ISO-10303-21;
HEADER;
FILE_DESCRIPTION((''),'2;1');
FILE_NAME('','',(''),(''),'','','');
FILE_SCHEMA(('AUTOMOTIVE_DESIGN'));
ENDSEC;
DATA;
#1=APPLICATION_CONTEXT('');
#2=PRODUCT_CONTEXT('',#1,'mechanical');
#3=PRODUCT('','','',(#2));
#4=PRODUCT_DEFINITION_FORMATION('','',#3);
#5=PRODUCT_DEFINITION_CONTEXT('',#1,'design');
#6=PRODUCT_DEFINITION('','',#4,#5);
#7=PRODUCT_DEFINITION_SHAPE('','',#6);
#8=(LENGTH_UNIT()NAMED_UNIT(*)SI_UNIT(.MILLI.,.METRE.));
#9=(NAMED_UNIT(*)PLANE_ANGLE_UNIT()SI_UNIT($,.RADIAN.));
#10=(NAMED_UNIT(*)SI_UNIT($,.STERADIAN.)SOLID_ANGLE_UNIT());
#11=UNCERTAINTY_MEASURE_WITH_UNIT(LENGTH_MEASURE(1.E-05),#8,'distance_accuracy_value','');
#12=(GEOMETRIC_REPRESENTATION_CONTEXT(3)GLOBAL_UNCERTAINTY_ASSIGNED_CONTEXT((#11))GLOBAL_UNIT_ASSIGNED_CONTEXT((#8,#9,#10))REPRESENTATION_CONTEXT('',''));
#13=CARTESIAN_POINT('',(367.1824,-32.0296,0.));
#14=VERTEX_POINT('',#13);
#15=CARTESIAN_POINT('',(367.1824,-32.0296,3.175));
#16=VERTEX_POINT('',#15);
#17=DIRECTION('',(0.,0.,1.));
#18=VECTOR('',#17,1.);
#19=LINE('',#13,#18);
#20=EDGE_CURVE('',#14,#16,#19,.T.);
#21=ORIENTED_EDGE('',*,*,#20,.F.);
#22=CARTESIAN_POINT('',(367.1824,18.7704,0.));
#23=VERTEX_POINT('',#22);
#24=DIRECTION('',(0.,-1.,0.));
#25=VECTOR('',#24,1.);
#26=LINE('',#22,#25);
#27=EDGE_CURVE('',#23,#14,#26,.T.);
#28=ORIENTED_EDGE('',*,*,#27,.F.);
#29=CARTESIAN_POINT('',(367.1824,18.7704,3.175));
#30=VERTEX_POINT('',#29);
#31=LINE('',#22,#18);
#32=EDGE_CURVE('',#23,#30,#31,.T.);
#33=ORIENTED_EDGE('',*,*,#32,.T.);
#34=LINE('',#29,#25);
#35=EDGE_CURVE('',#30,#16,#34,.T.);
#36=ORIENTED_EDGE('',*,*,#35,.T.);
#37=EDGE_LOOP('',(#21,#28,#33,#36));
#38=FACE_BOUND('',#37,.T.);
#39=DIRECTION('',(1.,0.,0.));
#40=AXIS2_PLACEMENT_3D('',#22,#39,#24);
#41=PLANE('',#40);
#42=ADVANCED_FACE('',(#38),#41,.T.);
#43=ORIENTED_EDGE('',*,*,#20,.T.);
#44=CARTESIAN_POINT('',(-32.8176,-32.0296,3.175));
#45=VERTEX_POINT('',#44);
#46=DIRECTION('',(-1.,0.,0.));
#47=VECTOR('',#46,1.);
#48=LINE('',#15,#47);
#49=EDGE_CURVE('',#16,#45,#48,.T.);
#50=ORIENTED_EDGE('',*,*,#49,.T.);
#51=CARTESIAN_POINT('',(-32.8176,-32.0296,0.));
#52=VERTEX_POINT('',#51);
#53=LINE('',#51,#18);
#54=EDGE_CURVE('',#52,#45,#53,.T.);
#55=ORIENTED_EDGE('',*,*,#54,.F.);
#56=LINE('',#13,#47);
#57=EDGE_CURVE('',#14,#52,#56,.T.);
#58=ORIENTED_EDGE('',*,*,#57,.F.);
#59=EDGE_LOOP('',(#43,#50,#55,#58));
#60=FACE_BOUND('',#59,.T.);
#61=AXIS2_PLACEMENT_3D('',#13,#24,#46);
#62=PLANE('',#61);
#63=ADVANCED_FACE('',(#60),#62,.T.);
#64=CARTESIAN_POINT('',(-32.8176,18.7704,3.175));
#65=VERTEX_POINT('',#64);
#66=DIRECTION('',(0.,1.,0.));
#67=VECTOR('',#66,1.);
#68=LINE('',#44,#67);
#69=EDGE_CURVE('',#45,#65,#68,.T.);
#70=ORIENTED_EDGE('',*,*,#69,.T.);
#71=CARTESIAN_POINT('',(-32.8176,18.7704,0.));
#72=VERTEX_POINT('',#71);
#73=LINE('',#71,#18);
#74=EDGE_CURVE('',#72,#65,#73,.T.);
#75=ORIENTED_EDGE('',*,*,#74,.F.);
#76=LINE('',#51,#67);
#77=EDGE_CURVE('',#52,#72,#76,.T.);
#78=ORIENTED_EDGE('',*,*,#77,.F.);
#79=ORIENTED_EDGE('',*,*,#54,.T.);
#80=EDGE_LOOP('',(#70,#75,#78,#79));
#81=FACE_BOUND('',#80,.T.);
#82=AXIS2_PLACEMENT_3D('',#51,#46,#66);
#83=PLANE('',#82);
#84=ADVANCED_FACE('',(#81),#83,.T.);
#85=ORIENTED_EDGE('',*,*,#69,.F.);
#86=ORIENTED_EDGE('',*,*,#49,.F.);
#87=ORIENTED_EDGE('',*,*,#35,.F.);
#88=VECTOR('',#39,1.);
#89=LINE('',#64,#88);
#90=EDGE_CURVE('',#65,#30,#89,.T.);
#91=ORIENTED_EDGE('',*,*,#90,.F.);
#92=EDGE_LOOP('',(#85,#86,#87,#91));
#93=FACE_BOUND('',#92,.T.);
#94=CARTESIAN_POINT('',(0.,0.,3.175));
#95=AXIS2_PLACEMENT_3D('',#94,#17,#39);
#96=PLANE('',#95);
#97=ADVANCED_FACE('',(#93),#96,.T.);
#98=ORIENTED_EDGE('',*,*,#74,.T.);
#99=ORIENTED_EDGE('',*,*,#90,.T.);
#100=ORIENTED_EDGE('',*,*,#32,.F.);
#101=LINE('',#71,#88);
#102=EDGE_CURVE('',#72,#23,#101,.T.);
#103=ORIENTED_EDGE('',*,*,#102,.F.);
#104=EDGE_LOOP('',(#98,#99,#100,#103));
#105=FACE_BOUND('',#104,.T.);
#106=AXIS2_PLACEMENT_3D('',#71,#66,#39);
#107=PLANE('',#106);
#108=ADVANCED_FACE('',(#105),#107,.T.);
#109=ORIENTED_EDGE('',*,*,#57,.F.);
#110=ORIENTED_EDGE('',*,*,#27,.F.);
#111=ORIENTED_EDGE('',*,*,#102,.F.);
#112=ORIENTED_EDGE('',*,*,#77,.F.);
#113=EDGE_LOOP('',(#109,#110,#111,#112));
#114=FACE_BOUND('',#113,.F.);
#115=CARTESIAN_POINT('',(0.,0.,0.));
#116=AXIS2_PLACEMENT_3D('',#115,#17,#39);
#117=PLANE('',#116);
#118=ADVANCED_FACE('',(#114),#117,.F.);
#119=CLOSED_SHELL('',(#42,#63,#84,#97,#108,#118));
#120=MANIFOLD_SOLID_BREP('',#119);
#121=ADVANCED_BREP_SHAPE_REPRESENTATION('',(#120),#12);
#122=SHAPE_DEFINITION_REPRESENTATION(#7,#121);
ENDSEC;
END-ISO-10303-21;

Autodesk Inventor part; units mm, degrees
ref_plane "YZ Plane" through (0, 0, 0) normal (1, 0, 0) x (0, 1, 0)
ref_plane "XZ Plane" through (0, 0, 0) normal (0, 1, 0) x (-1, 0, 0)
ref_plane "XY Plane" through (0, 0, 0) normal (0, 0, 1) x (1, 0, 0)
sketch "Sketch1" plane through (0, 0, 0) normal (0, 0, 1) x (1, 0, 0)
  line L0 (-32.8176, 18.7704) -> (367.1824, 18.7704)
  line L1 (367.1824, 18.7704) -> (367.1824, -32.0296)
  line L2 (367.1824, -32.0296) -> (-32.8176, -32.0296)
  line L3 (-32.8176, -32.0296) -> (-32.8176, 18.7704)
  point P0 (0, 0)
  dimension "d0" = 400
  dimension "d1" = 50.8
extrude "Extrusion1" add sketch "Sketch1" along normal blind 3.175
properties part number "aluminum"
